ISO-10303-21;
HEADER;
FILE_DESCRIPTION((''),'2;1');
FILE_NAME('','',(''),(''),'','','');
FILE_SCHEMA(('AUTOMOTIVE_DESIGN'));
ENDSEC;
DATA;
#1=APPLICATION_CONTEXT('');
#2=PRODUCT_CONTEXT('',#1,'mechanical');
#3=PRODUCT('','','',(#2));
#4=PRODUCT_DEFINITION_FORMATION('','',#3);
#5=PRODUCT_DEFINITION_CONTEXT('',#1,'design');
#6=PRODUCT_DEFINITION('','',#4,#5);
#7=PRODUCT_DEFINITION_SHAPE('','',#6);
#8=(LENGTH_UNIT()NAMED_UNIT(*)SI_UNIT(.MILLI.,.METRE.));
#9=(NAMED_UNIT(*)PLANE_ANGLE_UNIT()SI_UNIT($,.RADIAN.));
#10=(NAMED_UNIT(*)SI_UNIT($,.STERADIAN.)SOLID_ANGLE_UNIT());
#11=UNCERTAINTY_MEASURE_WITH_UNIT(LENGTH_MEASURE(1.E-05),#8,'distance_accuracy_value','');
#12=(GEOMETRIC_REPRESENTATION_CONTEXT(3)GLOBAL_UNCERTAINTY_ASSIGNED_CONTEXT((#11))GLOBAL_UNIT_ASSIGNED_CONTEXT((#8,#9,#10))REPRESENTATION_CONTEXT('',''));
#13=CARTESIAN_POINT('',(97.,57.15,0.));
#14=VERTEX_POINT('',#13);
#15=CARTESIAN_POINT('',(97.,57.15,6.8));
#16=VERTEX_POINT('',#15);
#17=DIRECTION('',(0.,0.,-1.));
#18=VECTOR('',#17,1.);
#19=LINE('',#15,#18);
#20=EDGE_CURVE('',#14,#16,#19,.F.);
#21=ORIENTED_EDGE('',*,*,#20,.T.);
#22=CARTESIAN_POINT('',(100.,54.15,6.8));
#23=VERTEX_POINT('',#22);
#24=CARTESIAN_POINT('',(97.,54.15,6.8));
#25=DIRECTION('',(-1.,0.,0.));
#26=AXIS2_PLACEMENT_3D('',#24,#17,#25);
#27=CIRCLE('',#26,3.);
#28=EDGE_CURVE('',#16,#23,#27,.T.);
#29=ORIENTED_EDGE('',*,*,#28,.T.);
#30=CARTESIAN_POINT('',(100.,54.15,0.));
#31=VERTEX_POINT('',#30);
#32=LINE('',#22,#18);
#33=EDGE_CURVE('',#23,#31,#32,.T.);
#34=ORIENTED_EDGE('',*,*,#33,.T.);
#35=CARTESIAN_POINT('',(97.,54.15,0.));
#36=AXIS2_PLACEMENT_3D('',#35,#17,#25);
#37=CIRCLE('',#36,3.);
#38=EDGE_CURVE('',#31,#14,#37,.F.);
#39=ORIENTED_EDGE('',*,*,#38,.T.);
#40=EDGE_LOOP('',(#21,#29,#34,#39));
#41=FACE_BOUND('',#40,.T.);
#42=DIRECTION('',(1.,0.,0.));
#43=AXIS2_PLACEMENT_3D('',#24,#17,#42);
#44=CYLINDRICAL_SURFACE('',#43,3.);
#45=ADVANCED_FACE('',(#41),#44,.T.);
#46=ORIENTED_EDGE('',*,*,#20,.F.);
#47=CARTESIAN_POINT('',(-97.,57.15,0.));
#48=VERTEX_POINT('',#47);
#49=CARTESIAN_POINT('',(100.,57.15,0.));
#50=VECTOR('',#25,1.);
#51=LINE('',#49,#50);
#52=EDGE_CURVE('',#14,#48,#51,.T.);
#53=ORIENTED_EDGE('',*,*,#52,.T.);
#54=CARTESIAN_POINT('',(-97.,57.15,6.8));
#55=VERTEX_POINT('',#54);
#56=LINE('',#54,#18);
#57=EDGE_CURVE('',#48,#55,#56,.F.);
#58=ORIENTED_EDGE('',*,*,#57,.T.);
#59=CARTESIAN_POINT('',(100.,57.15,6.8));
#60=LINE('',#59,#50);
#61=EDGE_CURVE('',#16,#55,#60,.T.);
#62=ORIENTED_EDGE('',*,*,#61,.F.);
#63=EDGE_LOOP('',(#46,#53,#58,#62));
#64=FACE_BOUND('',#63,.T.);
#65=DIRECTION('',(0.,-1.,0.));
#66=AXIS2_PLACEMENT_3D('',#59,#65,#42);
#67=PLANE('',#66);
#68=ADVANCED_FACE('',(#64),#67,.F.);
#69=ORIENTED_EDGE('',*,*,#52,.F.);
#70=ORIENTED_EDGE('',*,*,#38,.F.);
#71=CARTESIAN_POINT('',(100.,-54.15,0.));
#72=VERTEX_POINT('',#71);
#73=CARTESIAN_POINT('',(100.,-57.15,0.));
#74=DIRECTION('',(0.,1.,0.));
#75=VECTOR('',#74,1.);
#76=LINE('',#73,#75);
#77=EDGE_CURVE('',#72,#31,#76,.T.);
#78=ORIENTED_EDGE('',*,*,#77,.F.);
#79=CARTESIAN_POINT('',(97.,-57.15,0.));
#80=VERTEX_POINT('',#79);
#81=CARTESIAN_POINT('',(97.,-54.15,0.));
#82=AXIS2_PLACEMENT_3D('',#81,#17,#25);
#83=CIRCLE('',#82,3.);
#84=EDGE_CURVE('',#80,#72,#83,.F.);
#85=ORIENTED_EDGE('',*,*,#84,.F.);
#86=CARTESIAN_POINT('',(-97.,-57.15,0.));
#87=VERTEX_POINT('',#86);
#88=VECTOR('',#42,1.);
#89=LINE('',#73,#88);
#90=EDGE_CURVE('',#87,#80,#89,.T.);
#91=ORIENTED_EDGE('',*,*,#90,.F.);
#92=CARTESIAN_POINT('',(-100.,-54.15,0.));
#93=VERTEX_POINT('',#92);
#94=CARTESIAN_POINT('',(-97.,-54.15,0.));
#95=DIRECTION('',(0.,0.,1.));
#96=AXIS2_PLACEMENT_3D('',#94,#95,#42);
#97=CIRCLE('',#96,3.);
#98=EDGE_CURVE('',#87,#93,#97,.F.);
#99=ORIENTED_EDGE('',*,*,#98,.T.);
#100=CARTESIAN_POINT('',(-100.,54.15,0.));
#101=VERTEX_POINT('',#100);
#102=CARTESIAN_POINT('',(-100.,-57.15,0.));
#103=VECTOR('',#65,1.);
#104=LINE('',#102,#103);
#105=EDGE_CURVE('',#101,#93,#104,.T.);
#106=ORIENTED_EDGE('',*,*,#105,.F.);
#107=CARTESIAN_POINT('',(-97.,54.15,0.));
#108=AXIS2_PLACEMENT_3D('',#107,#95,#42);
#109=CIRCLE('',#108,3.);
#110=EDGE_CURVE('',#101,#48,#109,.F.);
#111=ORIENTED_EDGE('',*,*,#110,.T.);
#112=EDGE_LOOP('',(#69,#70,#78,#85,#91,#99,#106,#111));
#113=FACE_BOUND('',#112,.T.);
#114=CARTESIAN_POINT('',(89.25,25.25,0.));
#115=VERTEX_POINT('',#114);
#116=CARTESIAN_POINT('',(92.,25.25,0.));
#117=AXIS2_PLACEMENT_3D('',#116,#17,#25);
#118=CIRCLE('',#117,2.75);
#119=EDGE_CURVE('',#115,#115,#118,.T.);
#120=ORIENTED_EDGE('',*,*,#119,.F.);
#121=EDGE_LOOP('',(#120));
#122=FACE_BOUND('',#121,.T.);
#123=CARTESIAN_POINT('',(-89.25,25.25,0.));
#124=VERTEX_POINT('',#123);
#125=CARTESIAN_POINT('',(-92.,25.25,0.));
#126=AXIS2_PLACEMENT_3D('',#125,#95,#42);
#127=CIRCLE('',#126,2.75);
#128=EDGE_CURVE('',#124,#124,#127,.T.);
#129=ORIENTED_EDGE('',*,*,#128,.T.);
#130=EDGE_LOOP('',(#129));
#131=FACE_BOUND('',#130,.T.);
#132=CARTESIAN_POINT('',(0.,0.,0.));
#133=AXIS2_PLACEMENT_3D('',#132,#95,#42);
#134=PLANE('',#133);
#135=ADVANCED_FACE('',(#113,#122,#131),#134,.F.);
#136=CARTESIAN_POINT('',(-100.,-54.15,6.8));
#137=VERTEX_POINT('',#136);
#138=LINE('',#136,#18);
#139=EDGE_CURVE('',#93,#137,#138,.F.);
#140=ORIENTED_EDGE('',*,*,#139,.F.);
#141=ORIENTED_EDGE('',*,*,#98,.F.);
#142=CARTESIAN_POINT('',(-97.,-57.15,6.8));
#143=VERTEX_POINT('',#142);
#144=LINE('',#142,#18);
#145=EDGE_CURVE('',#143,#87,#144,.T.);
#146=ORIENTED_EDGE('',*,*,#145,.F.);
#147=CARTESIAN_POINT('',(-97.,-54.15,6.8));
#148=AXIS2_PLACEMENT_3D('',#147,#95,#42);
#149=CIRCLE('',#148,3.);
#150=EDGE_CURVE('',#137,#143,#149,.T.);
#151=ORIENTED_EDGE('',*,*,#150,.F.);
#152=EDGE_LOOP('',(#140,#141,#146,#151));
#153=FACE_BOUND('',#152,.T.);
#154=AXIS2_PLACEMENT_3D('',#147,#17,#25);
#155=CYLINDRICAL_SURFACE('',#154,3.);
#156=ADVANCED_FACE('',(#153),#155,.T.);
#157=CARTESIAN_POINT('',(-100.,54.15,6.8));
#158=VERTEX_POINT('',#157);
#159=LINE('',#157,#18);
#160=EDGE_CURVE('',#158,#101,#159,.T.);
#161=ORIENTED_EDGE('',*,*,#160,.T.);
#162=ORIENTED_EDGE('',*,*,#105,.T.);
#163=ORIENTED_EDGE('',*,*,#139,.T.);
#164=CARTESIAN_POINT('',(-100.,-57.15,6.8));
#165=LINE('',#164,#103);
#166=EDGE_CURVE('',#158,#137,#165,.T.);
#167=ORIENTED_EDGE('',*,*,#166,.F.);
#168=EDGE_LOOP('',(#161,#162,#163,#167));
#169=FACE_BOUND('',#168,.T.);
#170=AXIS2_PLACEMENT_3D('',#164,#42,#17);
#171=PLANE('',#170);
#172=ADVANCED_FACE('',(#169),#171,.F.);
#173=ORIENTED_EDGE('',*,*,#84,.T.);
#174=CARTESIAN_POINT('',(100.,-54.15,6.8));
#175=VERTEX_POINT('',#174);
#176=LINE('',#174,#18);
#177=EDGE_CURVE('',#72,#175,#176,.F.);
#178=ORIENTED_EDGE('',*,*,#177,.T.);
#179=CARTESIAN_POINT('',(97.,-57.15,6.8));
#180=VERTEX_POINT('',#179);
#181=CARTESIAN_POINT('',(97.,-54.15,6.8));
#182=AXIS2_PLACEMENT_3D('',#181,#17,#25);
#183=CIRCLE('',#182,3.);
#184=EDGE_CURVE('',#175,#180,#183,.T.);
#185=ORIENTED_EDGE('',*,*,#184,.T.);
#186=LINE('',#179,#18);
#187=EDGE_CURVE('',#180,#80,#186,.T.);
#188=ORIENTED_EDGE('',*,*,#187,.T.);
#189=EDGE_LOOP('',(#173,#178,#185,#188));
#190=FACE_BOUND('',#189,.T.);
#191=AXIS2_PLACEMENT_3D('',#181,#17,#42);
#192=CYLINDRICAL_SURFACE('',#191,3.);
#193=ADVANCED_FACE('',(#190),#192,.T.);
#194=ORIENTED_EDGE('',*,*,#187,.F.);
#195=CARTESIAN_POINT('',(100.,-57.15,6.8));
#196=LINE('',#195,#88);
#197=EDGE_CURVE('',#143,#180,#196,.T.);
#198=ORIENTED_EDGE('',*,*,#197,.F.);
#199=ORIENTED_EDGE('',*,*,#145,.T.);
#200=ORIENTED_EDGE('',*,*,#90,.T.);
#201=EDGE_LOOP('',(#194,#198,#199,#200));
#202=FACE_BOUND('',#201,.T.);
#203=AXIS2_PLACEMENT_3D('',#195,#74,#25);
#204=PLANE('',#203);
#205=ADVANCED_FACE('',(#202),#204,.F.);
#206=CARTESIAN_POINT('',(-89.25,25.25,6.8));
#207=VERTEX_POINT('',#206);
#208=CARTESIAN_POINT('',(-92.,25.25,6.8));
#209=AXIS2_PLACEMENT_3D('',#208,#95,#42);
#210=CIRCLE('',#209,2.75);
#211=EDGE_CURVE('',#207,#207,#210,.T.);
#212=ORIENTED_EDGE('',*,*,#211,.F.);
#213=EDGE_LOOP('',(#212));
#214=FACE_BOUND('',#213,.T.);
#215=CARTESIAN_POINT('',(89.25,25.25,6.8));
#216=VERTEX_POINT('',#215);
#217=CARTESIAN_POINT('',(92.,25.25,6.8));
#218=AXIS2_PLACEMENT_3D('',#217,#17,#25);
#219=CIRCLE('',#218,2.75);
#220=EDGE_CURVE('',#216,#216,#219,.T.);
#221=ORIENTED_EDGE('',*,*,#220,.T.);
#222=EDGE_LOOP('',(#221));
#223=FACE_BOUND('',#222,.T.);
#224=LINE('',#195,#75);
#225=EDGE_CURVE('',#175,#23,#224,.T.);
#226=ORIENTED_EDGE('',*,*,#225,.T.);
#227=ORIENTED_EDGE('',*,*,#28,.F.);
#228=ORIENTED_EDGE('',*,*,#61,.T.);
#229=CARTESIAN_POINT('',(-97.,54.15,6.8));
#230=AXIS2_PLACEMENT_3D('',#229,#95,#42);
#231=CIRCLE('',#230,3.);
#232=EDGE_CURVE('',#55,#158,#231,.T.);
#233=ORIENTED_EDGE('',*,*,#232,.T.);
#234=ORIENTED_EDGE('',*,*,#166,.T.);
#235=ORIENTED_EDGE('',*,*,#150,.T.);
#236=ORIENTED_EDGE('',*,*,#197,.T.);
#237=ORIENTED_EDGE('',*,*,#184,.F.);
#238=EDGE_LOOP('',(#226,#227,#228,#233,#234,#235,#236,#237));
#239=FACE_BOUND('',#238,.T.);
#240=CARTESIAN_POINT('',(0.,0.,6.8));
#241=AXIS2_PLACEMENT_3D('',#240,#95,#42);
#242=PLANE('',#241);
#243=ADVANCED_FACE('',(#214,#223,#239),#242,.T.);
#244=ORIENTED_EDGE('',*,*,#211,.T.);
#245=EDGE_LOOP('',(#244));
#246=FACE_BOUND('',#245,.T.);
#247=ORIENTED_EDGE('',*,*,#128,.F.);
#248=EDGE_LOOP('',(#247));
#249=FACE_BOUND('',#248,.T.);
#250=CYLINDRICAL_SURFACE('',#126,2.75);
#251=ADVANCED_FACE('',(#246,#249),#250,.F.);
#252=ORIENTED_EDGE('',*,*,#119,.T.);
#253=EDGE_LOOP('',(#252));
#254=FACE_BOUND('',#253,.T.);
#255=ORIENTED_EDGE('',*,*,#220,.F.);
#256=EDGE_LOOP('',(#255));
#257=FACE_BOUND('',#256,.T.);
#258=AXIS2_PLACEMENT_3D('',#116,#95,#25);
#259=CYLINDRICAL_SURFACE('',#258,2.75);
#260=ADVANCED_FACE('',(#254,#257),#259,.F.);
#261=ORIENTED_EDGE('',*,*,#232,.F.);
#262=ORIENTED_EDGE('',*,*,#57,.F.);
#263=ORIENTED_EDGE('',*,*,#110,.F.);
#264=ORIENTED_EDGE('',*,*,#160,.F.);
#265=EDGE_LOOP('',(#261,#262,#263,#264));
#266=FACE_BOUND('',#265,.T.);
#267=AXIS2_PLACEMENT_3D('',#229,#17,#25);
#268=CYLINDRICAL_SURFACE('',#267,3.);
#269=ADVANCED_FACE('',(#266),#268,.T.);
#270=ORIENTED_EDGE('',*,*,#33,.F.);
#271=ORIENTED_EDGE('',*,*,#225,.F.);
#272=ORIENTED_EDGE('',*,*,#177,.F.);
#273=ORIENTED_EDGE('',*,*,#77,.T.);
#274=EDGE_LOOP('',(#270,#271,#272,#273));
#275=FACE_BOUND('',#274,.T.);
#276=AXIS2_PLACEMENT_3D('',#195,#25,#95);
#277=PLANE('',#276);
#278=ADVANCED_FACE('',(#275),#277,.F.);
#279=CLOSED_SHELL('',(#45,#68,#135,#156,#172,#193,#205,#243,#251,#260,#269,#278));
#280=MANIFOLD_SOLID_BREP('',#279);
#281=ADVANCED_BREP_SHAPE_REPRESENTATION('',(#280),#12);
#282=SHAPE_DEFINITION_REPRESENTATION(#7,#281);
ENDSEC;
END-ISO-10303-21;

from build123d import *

# Parameters (mm, degrees)
SKETCH1_W            = 200
SKETCH1_H            = 114.3
BOSS_EXTRUDE1_DEPTH  = 6.8
SKETCH2_R            = 2.75
CUT_EXTRUDE1_DEPTH   = 6.8
FILLET1_R            = 3
FILLET1_OF_MIRROR2_R = 3


with BuildPart() as part:
    # Sketch1 → Boss-Extrude1 (new body)
    with BuildSketch(Plane.XY):
        Rectangle(SKETCH1_W, SKETCH1_H)
    extrude(amount=BOSS_EXTRUDE1_DEPTH)

    # Sketch2 → Cut-Extrude1 (cut)
    with BuildSketch(Plane.XY.offset(6.8)):
        with Locations((-92, 25.25)):
            Circle(SKETCH2_R)
    cut_extrude1 = extrude(amount=-CUT_EXTRUDE1_DEPTH, mode=Mode.SUBTRACT)

    # Fillet1
    fillet1_edges = [part.edges().sort_by_distance(p)[0] for p in [
        (-100, 57.15, 3.4),
        (-100, -57.15, 3.4),
    ]]
    fillet(fillet1_edges, radius=FILLET1_R)

    # Mirror2: Cut-Extrude1 across plane
    add(cut_extrude1.mirror(Plane(origin=(0, 0, 0), x_dir=(0, 0, 1), z_dir=(1, 0, 0))), mode=Mode.SUBTRACT)

    # Fillet1 of Mirror2
    fillet1_of_mirror2_edges = [part.edges().sort_by_distance(p)[0] for p in [
        (100, 57.15, 3.4),
        (100, -57.15, 3.4),
    ]]
    fillet(fillet1_of_mirror2_edges, radius=FILLET1_OF_MIRROR2_R)


solid = part.part
